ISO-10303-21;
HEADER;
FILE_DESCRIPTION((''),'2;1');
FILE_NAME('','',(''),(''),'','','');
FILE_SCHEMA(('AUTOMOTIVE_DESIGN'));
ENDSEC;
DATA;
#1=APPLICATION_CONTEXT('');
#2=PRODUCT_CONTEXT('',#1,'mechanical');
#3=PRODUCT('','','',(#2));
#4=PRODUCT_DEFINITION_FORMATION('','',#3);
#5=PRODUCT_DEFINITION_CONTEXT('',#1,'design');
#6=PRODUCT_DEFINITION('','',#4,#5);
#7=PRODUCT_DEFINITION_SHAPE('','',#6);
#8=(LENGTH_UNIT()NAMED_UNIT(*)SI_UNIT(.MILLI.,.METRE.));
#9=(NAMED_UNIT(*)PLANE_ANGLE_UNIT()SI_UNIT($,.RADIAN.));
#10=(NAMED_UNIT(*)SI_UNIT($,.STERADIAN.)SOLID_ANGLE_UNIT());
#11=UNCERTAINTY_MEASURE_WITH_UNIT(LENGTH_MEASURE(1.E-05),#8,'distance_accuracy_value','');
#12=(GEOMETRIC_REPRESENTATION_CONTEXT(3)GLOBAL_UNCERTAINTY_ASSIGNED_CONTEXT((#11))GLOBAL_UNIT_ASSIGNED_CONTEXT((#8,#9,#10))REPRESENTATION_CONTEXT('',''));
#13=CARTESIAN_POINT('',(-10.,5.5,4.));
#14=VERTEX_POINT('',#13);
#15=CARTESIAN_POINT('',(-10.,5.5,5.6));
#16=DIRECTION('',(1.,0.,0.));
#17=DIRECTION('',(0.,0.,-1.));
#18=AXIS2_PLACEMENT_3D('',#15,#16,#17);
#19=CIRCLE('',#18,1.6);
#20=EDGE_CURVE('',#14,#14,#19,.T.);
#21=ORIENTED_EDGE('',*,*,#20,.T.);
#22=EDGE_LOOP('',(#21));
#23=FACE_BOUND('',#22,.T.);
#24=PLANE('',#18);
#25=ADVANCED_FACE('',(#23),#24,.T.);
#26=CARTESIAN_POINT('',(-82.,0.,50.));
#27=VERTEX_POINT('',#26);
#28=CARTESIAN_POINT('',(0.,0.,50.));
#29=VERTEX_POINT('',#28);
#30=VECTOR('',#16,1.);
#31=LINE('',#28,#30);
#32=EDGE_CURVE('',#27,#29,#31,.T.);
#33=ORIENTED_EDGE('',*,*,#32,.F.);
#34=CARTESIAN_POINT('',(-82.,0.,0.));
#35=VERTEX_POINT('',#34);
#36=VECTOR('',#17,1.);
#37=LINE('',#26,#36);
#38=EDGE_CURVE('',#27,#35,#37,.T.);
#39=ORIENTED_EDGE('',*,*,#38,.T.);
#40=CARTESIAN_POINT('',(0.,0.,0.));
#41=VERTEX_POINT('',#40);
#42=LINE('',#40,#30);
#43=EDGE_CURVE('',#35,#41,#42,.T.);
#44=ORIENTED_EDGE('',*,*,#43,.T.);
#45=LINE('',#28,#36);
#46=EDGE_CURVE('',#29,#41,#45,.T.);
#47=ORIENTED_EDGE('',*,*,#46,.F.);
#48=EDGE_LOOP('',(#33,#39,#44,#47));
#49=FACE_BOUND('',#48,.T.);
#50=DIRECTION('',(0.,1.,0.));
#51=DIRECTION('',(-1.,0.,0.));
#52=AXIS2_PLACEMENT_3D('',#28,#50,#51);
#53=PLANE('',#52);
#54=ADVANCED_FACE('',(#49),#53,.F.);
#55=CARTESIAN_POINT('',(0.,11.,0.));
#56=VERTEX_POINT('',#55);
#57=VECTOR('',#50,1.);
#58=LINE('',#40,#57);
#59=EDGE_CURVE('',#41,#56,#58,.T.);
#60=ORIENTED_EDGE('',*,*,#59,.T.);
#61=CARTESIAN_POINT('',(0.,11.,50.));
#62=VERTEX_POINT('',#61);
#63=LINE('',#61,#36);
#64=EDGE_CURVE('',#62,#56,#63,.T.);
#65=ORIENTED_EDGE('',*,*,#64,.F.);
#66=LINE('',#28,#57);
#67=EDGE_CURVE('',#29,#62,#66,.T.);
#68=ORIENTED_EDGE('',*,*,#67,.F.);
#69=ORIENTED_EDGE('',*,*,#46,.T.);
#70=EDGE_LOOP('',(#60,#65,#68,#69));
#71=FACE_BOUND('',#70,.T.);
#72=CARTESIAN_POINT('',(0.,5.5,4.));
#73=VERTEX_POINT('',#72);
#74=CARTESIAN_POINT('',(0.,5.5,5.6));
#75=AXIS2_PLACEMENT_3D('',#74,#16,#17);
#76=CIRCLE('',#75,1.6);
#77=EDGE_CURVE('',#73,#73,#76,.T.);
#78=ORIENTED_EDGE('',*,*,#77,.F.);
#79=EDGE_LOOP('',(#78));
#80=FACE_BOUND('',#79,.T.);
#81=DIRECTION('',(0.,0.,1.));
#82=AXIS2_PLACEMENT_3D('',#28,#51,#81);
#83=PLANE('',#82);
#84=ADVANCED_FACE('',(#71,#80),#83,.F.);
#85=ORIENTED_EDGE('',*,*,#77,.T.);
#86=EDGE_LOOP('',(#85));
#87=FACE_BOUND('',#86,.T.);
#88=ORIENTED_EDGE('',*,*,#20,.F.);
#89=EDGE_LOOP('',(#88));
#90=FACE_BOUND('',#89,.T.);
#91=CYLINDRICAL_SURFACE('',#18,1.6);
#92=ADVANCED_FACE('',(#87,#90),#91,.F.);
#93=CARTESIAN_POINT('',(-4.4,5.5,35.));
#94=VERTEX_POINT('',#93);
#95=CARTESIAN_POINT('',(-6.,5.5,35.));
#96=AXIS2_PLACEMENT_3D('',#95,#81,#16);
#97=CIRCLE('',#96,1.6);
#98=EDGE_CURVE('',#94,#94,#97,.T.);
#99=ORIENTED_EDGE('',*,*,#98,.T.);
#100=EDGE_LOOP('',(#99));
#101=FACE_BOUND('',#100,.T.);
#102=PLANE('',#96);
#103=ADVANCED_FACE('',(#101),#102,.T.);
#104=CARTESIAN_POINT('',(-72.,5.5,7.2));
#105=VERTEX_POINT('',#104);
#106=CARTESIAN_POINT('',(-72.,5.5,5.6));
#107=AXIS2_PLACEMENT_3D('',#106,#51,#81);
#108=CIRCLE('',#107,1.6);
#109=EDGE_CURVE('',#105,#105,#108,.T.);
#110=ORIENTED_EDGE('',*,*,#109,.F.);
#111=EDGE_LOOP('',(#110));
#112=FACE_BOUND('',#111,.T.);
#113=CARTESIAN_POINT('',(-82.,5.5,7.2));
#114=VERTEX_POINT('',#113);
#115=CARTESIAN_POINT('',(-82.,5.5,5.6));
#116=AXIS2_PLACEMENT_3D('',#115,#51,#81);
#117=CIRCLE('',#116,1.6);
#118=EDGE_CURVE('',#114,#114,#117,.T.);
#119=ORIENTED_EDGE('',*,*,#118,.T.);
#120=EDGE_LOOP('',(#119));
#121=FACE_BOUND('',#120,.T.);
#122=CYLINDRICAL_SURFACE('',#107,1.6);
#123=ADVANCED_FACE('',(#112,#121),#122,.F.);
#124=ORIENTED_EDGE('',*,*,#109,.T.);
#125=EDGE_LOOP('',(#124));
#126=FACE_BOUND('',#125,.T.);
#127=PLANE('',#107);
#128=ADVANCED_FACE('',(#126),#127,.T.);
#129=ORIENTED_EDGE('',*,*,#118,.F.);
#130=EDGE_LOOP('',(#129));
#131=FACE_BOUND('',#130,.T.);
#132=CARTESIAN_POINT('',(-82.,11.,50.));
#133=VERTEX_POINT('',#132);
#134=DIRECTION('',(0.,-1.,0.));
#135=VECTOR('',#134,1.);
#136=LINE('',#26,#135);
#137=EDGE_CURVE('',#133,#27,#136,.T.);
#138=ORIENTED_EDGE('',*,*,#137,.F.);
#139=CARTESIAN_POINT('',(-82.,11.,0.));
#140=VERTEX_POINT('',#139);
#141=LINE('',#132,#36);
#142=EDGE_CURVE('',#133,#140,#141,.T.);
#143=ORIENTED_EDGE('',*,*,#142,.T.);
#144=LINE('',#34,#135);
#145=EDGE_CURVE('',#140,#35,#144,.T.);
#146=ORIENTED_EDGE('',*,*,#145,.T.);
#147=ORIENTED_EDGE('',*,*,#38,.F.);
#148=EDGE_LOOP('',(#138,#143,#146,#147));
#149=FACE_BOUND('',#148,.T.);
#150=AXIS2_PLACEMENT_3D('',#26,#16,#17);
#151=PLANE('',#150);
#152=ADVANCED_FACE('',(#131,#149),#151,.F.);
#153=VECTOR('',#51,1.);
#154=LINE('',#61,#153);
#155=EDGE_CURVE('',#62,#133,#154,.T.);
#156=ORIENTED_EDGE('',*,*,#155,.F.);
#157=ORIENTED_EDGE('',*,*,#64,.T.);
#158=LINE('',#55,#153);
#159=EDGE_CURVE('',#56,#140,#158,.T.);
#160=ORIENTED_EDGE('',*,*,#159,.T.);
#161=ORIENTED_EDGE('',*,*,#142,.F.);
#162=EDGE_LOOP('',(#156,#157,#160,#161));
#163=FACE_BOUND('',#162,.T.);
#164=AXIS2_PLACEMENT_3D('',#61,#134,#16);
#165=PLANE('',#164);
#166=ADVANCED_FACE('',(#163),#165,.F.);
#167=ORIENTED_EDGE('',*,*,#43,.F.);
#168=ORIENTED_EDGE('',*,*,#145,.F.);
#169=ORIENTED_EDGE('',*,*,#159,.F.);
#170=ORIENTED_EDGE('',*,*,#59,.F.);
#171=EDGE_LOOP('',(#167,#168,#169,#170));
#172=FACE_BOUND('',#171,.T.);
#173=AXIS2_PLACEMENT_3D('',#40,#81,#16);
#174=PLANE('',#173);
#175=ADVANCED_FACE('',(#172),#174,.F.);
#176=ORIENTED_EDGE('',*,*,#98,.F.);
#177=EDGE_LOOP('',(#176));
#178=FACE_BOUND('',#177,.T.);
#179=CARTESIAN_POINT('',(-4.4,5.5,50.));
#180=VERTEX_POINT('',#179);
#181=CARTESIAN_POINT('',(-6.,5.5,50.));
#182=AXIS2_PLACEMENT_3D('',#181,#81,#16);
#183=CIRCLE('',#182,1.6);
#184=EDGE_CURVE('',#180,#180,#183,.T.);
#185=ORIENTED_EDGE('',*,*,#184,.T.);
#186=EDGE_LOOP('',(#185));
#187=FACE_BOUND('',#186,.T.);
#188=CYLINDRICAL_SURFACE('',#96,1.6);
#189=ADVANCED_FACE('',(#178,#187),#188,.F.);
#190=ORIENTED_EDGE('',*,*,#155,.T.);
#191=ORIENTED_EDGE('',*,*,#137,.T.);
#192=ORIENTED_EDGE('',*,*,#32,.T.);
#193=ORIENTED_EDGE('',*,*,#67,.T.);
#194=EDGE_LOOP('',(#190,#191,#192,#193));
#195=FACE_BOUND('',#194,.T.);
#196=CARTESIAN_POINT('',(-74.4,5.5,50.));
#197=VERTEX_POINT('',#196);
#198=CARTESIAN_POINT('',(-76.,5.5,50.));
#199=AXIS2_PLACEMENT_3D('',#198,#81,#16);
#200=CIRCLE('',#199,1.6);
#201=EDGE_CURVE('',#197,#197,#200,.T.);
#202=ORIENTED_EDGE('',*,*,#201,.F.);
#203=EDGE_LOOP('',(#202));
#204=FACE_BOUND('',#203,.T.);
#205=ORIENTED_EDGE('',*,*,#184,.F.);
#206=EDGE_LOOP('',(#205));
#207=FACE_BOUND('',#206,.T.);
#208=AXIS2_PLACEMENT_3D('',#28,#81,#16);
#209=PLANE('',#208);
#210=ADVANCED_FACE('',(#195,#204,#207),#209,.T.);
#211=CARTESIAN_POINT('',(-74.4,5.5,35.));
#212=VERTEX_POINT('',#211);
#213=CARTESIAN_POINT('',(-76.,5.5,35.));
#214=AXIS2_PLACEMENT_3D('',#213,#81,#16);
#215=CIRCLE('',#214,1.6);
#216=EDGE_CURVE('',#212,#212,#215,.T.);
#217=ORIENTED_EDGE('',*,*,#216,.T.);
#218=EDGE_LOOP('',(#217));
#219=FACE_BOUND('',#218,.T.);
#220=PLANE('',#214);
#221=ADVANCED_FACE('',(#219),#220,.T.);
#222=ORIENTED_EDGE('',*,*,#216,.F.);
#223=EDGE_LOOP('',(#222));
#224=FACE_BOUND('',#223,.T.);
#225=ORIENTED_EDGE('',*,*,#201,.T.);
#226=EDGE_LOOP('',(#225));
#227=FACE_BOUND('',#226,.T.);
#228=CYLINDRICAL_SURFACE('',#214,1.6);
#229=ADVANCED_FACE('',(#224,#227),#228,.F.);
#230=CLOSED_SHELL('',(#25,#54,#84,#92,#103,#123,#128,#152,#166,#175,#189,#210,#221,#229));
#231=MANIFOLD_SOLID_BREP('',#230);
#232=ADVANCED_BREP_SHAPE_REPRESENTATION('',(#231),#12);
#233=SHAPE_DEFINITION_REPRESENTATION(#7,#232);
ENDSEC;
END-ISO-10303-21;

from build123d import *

# Parameters (mm, degrees)
SKETCH1_W           = 82
SKETCH1_H           = 11
BOSS_EXTRUDE1_DEPTH = 50
SKETCH2_R           = 1.6
CUT_EXTRUDE1_DEPTH  = 10
SKETCH3_R           = 1.6
CUT_EXTRUDE2_DEPTH  = 10
SKETCH4_R           = 1.6
CUT_EXTRUDE3_DEPTH  = 15


with BuildPart() as part:
    # Sketch1 → Boss-Extrude1 (new body)
    with BuildSketch(Plane.XY):
        with Locations((-41, 5.5)):
            Rectangle(SKETCH1_W, SKETCH1_H)
    extrude(amount=BOSS_EXTRUDE1_DEPTH)

    # Sketch2 → Cut-Extrude1 (cut)
    with BuildSketch(Plane(origin=(0, 0, 0), x_dir=(0, 0, -1), z_dir=(1, 0, 0))):
        with Locations((-5.6, 5.5)):
            Circle(SKETCH2_R)
    extrude(amount=-CUT_EXTRUDE1_DEPTH, mode=Mode.SUBTRACT)

    # Sketch3 → Cut-Extrude2 (cut)
    with BuildSketch(Plane.ZY.offset(82)):
        with Locations((5.6, 5.5)):
            Circle(SKETCH3_R)
    extrude(amount=-CUT_EXTRUDE2_DEPTH, mode=Mode.SUBTRACT)

    # Sketch4 → Cut-Extrude3 (cut)
    with BuildSketch(Plane.XY.offset(50)):
        with Locations((-76, 5.5)):
            Circle(SKETCH4_R)
        with Locations((-6, 5.5)):
            Circle(SKETCH4_R)
    extrude(amount=-CUT_EXTRUDE3_DEPTH, mode=Mode.SUBTRACT)


solid = part.part
